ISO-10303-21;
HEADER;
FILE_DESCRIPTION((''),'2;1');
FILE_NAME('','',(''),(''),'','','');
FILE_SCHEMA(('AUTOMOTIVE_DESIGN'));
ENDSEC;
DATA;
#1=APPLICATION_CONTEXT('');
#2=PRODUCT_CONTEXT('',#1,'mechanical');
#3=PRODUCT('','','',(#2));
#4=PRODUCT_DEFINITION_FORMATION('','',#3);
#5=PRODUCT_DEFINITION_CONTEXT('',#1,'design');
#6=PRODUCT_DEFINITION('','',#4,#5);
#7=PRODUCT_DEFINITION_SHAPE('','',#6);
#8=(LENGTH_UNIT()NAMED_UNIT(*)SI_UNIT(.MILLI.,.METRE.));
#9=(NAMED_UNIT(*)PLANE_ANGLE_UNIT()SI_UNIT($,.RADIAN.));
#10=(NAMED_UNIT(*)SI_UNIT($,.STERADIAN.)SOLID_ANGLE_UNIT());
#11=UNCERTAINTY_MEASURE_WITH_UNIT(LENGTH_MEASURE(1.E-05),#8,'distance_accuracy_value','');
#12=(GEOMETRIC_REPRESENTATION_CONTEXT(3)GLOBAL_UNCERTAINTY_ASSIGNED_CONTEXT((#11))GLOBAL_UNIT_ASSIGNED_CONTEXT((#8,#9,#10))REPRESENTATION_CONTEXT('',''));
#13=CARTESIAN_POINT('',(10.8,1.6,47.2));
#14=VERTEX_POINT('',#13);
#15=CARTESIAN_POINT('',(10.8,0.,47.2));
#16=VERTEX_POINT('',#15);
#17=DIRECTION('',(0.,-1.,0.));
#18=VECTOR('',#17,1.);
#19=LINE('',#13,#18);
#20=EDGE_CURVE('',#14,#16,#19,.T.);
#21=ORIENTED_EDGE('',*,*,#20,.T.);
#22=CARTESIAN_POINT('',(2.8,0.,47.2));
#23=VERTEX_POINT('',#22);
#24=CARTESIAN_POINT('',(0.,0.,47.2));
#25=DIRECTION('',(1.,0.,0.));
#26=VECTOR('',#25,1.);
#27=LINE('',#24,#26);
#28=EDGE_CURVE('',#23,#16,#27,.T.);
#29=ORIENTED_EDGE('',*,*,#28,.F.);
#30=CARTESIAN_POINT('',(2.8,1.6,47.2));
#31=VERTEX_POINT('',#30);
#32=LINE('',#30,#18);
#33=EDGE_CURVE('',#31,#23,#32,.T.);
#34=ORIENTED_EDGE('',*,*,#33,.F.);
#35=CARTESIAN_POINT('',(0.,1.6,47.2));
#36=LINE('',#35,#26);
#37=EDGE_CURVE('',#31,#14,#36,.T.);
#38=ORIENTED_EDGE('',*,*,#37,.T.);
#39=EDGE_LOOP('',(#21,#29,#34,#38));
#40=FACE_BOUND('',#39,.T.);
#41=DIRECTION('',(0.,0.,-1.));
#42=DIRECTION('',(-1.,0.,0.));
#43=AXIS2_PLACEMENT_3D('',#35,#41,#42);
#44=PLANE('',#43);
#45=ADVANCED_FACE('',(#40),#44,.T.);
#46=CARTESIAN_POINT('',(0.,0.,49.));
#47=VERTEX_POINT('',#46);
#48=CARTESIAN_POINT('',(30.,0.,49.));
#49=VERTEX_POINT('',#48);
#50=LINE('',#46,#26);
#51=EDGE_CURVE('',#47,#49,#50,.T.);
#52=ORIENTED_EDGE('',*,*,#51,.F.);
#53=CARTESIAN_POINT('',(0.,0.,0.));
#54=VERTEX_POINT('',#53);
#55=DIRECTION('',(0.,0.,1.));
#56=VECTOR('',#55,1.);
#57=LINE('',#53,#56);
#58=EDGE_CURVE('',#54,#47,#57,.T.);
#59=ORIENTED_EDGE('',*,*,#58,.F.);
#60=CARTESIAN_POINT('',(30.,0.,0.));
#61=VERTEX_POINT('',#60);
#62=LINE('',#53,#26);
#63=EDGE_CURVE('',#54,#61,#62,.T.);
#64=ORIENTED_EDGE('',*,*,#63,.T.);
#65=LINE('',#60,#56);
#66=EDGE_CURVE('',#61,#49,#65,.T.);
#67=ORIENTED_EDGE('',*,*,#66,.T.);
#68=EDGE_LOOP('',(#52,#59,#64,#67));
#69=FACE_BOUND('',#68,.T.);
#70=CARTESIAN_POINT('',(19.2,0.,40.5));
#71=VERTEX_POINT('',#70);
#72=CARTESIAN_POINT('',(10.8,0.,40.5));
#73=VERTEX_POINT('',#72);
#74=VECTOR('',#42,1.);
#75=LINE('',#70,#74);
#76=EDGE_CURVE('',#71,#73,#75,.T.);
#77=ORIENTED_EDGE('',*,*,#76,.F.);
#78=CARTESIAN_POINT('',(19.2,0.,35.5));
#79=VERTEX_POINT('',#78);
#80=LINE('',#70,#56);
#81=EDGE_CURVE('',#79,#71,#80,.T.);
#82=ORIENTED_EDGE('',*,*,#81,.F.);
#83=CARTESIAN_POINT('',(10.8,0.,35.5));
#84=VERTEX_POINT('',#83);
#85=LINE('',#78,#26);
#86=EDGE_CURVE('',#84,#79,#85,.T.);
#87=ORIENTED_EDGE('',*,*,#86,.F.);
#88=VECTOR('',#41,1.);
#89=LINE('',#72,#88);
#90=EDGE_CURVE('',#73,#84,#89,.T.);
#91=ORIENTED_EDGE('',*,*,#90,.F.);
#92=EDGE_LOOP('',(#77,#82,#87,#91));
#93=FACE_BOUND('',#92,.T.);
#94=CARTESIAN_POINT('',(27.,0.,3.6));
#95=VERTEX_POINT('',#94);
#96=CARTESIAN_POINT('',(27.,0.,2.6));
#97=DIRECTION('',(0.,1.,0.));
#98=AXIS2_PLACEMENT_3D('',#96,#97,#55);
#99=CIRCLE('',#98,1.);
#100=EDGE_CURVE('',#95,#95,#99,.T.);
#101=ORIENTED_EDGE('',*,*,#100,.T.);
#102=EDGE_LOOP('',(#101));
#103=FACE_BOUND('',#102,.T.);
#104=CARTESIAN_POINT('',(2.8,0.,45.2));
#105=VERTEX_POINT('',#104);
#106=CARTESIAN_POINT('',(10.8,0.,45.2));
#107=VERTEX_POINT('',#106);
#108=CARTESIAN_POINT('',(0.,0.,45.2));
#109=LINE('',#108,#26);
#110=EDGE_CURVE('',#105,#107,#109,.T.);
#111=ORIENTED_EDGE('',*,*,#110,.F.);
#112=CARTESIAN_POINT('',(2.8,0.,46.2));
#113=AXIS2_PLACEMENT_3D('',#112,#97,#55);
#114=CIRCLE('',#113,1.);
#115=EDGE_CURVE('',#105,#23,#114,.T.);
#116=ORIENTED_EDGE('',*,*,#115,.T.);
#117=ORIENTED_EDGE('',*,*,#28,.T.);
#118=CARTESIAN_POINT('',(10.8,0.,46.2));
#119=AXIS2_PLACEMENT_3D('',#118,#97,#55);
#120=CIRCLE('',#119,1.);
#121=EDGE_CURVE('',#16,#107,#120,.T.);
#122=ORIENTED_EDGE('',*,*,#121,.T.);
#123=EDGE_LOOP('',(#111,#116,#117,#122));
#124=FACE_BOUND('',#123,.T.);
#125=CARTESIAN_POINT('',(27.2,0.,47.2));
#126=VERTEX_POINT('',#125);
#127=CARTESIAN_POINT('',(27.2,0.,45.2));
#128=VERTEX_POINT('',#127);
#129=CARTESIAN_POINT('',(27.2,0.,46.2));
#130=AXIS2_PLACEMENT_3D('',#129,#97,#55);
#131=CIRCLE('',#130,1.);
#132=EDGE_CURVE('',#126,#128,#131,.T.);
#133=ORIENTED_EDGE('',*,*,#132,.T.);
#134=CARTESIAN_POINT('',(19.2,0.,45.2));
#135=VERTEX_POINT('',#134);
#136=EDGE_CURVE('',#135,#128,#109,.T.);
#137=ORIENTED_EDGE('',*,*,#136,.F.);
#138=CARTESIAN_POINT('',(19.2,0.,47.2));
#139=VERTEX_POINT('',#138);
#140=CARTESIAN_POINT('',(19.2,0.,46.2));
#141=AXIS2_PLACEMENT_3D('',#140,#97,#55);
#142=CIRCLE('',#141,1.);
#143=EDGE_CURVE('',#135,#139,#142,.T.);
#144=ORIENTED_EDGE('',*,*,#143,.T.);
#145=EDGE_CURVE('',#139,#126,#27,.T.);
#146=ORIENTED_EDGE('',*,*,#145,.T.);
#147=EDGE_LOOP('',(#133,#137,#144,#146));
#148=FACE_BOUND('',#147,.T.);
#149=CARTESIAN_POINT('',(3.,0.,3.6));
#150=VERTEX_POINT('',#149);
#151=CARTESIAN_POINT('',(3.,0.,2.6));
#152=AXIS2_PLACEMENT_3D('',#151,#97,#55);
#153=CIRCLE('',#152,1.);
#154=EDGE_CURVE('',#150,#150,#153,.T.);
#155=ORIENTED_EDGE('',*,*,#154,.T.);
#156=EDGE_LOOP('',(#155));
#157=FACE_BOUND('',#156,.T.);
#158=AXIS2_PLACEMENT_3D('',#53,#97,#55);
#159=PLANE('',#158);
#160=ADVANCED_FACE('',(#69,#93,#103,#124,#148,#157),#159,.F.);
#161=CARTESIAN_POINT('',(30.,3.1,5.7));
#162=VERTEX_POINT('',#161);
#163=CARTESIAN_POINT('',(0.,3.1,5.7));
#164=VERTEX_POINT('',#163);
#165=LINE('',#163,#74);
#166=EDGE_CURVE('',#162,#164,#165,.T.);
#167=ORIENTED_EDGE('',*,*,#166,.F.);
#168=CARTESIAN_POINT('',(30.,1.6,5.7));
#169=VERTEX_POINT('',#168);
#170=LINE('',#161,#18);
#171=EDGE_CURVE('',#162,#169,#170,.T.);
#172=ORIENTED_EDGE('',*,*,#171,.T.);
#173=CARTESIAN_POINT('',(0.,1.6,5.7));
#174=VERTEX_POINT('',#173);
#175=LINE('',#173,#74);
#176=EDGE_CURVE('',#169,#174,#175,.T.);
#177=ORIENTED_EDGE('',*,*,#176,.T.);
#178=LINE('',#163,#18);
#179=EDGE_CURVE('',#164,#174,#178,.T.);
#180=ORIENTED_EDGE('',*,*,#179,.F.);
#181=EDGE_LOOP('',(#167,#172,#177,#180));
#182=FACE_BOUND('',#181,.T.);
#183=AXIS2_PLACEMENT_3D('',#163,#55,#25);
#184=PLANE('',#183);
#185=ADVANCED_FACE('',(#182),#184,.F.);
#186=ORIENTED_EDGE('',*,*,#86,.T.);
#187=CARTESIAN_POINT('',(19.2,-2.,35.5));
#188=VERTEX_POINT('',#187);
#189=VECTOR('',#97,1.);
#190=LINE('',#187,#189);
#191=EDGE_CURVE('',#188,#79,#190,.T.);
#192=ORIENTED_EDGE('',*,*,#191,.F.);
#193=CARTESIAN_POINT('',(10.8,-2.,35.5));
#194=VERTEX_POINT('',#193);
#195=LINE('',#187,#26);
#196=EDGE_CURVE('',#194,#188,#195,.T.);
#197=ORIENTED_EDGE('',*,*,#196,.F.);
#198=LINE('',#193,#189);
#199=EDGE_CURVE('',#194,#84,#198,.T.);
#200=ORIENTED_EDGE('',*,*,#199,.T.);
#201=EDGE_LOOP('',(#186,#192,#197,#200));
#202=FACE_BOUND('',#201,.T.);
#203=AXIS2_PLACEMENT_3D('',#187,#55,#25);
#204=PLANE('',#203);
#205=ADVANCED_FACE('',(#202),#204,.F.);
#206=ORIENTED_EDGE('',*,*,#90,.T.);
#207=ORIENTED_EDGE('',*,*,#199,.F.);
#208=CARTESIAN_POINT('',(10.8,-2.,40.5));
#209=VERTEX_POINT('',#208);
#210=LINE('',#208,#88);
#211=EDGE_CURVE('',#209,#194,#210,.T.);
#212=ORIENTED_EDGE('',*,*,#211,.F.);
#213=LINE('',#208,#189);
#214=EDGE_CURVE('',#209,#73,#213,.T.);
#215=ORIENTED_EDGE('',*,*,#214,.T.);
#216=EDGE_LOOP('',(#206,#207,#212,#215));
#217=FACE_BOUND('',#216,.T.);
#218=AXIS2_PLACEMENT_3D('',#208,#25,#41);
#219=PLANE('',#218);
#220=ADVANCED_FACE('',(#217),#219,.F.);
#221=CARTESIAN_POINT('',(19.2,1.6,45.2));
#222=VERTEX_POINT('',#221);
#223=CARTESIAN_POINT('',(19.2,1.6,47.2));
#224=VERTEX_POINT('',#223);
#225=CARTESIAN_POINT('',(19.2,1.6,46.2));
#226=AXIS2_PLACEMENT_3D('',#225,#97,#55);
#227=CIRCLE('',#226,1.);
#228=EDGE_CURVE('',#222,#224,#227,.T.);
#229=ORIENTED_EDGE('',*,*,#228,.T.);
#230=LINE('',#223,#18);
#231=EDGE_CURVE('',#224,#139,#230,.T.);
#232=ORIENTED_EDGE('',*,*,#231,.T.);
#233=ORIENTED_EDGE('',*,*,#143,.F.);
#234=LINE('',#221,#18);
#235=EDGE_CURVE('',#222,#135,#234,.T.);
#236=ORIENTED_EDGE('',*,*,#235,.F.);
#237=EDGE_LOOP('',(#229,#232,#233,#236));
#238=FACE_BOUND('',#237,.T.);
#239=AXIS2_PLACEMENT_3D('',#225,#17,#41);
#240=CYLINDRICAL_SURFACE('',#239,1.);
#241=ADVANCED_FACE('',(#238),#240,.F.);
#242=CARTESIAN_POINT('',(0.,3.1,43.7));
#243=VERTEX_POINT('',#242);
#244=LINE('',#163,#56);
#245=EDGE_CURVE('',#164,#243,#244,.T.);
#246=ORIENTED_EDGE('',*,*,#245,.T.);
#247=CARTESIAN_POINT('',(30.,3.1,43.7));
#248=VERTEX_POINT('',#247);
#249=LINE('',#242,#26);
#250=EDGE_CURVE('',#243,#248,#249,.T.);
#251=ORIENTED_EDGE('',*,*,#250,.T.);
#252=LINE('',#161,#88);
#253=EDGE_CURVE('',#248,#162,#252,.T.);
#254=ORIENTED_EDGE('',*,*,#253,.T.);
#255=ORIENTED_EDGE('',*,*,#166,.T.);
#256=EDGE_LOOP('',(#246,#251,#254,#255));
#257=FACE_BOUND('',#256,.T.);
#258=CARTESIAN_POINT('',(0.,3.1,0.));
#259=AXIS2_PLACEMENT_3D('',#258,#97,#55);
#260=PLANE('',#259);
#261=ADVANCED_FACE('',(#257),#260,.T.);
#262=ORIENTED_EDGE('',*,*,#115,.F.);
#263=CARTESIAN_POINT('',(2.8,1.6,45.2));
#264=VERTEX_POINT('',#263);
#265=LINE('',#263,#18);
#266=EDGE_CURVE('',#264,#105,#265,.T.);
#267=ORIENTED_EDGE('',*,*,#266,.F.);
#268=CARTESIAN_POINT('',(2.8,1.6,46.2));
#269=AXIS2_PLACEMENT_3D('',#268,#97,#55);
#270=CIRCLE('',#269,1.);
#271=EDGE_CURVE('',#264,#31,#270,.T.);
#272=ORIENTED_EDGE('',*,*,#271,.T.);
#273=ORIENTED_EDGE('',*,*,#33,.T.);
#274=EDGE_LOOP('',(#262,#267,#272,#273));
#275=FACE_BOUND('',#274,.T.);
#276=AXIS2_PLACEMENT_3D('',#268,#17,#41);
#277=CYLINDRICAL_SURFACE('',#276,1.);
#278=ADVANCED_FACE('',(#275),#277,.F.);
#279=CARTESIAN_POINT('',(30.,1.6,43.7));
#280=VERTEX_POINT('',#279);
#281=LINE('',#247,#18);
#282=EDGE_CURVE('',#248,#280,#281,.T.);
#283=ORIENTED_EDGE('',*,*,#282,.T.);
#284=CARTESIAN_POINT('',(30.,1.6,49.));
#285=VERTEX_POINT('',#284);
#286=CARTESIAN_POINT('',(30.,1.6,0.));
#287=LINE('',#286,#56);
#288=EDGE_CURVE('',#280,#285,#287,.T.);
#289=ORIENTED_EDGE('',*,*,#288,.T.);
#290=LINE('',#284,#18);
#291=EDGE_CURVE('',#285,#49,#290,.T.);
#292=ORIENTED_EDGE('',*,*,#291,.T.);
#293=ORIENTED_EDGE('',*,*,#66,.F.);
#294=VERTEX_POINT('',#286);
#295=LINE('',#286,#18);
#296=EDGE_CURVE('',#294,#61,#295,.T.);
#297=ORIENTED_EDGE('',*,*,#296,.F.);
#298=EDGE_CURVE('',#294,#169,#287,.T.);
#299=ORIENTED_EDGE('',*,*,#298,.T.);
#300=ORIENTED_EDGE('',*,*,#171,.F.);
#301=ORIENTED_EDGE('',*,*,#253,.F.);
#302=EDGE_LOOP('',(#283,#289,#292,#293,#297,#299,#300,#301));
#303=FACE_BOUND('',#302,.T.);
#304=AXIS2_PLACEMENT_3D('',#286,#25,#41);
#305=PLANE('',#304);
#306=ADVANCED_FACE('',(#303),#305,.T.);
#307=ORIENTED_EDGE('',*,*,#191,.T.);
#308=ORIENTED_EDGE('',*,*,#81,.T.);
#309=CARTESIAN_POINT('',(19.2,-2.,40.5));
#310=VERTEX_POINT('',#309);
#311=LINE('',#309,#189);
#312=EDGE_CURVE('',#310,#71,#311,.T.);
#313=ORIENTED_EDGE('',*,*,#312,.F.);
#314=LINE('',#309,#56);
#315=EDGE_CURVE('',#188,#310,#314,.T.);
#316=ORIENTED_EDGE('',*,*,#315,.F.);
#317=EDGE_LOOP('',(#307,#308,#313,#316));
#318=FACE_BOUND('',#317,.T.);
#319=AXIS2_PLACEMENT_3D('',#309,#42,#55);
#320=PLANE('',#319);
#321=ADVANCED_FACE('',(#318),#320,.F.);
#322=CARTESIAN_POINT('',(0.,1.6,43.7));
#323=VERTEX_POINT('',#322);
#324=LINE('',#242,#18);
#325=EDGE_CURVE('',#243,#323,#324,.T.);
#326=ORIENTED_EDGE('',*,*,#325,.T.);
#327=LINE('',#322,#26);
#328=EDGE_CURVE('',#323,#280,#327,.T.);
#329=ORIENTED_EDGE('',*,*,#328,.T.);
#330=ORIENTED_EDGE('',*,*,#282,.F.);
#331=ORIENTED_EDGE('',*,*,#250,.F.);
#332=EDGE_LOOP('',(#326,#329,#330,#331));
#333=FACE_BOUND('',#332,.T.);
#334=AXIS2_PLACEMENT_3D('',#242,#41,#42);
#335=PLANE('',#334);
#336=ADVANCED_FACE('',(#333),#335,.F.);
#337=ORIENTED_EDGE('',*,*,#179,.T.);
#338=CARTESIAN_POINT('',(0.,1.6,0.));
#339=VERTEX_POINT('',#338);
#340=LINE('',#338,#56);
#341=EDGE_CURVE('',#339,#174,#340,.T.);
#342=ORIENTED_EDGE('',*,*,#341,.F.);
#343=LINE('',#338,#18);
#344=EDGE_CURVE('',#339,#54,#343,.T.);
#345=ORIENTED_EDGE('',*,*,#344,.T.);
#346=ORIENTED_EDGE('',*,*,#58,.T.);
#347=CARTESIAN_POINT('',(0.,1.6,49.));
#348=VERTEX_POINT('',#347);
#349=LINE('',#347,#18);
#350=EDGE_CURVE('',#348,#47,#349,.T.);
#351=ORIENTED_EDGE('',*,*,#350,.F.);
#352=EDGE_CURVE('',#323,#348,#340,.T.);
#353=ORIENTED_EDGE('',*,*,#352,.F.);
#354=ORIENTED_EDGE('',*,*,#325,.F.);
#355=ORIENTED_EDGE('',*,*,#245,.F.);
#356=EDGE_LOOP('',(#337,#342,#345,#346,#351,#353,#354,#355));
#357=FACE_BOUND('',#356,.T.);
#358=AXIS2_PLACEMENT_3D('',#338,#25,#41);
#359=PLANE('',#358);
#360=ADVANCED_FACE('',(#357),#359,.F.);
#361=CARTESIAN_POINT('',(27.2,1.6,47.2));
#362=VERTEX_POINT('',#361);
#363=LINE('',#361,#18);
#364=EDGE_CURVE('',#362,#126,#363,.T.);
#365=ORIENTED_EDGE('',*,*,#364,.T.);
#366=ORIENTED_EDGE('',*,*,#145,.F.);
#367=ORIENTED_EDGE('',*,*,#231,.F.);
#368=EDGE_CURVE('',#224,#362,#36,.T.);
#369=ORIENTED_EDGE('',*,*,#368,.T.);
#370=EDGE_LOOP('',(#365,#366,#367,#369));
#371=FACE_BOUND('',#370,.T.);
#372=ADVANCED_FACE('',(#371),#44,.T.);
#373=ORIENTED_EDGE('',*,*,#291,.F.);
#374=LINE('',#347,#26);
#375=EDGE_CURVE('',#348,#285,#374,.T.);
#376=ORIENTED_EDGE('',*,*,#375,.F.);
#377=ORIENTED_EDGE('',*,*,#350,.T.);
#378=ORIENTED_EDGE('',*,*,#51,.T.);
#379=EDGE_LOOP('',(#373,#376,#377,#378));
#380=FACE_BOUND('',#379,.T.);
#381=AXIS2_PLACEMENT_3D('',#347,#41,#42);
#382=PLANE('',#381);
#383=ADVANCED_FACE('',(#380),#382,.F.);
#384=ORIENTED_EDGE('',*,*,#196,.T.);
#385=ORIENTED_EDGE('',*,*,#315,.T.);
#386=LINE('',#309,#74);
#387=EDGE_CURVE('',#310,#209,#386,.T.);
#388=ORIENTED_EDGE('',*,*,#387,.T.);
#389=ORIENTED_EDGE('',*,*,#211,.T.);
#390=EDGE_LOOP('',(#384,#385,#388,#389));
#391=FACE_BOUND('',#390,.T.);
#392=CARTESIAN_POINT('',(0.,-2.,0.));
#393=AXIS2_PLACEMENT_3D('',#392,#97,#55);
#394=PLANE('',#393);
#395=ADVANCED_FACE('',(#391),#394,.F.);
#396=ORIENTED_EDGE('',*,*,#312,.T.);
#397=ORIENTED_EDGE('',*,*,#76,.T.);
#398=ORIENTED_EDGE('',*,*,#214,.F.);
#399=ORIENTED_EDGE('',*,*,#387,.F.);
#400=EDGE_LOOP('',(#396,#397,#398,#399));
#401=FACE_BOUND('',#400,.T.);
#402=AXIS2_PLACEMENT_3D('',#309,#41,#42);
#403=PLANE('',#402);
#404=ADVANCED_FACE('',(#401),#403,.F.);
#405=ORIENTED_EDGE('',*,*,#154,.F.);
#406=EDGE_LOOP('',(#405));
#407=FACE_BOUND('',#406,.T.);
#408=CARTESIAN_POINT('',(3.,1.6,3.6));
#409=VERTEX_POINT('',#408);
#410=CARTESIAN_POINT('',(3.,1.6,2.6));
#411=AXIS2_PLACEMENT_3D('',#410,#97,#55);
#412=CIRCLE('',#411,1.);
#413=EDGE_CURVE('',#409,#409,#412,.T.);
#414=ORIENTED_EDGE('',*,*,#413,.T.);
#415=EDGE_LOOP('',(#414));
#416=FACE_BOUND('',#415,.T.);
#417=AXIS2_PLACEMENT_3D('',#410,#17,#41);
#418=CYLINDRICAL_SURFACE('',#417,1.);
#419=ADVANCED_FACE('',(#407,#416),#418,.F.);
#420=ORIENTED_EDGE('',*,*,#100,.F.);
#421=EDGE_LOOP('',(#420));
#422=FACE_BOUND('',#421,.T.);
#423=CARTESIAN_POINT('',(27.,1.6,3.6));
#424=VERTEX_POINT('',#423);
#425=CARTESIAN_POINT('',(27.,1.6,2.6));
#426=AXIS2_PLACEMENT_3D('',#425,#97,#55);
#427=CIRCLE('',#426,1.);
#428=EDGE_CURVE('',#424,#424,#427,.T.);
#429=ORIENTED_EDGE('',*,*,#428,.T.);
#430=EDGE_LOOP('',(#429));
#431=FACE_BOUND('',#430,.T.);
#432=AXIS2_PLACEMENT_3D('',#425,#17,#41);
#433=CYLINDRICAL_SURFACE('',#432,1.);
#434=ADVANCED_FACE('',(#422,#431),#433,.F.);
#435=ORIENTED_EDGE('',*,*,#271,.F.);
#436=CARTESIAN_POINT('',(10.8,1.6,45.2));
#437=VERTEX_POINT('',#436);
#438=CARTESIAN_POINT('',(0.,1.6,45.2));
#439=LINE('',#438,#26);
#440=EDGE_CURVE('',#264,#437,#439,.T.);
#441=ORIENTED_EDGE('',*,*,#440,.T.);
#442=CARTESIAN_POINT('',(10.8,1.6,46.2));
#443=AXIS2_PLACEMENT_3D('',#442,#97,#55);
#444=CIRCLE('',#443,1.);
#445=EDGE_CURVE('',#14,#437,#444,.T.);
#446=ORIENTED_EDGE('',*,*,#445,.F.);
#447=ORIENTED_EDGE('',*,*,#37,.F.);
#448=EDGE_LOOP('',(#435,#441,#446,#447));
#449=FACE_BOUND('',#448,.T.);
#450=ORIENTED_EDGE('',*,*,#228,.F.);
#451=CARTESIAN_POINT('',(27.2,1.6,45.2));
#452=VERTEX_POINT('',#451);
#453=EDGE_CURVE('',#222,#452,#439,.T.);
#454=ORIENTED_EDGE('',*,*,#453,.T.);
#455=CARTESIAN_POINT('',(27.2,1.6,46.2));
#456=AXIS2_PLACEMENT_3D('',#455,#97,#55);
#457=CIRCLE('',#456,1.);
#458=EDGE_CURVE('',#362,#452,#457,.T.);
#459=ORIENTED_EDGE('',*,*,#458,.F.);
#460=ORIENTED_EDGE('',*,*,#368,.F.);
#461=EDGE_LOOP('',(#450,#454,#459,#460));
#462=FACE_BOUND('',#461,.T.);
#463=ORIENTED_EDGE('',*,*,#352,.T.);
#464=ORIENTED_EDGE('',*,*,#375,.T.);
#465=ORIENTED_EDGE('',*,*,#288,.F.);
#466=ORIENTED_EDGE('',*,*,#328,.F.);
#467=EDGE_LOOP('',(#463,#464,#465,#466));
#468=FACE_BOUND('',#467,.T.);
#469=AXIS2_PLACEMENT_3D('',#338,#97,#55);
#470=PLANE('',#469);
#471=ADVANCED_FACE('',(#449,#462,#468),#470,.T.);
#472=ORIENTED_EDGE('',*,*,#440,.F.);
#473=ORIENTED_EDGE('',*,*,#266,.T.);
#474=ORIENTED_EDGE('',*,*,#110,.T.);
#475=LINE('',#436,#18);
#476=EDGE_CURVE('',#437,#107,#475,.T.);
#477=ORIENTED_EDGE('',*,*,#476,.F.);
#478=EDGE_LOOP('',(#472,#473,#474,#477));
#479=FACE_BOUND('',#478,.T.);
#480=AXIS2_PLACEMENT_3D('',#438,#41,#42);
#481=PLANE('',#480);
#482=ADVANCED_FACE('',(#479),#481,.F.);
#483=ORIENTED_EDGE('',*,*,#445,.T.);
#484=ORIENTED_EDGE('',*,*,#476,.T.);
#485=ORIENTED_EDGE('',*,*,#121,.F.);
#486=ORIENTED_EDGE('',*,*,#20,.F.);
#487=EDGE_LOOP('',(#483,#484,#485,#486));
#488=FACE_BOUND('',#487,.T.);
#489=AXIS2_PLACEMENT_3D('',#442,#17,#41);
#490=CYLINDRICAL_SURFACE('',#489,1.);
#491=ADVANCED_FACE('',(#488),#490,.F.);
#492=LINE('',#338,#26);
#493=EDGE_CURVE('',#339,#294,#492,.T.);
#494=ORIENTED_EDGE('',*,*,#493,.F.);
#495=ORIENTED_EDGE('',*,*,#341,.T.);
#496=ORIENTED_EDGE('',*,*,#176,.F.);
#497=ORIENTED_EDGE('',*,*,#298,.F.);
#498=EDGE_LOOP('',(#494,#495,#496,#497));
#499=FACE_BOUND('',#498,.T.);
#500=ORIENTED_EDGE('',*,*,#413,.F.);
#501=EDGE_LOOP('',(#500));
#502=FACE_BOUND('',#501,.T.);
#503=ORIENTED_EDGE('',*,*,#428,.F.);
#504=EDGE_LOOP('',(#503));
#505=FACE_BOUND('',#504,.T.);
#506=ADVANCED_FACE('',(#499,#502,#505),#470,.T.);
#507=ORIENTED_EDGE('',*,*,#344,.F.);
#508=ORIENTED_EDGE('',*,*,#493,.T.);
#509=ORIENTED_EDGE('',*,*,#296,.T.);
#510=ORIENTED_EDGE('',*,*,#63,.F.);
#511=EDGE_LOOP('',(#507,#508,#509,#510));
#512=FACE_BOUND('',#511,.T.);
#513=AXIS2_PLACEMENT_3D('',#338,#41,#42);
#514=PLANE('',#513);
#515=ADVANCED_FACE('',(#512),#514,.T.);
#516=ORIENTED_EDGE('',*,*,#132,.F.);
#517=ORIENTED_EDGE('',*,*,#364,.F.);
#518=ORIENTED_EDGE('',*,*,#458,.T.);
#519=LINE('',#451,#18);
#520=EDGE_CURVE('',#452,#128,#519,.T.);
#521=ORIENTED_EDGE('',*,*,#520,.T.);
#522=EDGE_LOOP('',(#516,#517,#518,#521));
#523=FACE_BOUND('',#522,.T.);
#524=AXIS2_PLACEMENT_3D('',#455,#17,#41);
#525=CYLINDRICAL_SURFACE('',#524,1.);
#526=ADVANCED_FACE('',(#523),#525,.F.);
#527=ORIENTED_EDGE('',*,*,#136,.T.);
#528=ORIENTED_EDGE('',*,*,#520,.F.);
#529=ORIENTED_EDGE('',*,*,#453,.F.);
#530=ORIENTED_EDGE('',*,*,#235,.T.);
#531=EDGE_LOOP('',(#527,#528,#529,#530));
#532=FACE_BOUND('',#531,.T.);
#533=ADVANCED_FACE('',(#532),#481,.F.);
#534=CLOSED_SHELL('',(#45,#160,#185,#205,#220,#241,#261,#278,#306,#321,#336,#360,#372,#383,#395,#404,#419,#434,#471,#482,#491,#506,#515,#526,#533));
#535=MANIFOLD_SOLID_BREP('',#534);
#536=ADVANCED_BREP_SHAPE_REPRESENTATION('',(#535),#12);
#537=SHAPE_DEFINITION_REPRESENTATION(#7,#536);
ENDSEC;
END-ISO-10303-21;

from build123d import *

# Parameters (mm, degrees)
SKETCH_1_W      = 30
SKETCH_1_H      = 49
SKETCH_1_R      = 1
EXTRUDE_1_DEPTH = 1.6
SKETCH_2_W      = 30
SKETCH_2_H      = 38
EXTRUDE_2_DEPTH = 1.5
SKETCH_3_W      = 8.4
SKETCH_3_H      = 5
EXTRUDE_3_DEPTH = 2


with BuildPart() as part:
    # 草图1 → 凸台-拉伸1 (new body)
    with BuildSketch(Plane(origin=(0, 0, 0), x_dir=(1, 0, 0), z_dir=(0, 1, 0))):
        with Locations((15, -24.5)):
            Rectangle(SKETCH_1_W, SKETCH_1_H)
        with BuildLine():
            ThreePointArc((2.8, -47.2), (1.8, -46.2), (2.8, -45.2))
            Line((2.8, -45.2), (10.8, -45.2))
            ThreePointArc((10.8, -45.2), (11.507106781, -45.492893219), (11.8, -46.2))
            ThreePointArc((11.8, -46.2), (11.507106781, -46.907106781), (10.8, -47.2))
            Line((10.8, -47.2), (2.8, -47.2))
        make_face(mode=Mode.SUBTRACT)
        with BuildLine():
            ThreePointArc((19.2, -47.2), (18.2, -46.2), (19.2, -45.2))
            Line((19.2, -45.2), (27.2, -45.2))
            ThreePointArc((27.2, -45.2), (27.907106781, -45.492893219), (28.2, -46.2))
            ThreePointArc((28.2, -46.2), (27.907106781, -46.907106781), (27.2, -47.2))
            Line((27.2, -47.2), (19.2, -47.2))
        make_face(mode=Mode.SUBTRACT)
        with Locations(Location((3, -2.6, 0), (0, 0, 270))):
            Circle(SKETCH_1_R, mode=Mode.SUBTRACT)
        with Locations(Location((27, -2.6, 0), (0, 0, 270))):
            Circle(SKETCH_1_R, mode=Mode.SUBTRACT)
    extrude(amount=EXTRUDE_1_DEPTH)

    # 草图2 → 凸台-拉伸2 (add)
    with BuildSketch(Plane(origin=(0, 1.6, 0), x_dir=(1, 0, 0), z_dir=(0, 1, 0))):
        with Locations((15, -24.7)):
            Rectangle(SKETCH_2_W, SKETCH_2_H)
    extrude(amount=EXTRUDE_2_DEPTH)

    # 草图3 → 凸台-拉伸3 (add)
    with BuildSketch(Plane.XZ):
        with Locations((15, 38)):
            Rectangle(SKETCH_3_W, SKETCH_3_H)
    extrude(amount=EXTRUDE_3_DEPTH)


solid = part.part
